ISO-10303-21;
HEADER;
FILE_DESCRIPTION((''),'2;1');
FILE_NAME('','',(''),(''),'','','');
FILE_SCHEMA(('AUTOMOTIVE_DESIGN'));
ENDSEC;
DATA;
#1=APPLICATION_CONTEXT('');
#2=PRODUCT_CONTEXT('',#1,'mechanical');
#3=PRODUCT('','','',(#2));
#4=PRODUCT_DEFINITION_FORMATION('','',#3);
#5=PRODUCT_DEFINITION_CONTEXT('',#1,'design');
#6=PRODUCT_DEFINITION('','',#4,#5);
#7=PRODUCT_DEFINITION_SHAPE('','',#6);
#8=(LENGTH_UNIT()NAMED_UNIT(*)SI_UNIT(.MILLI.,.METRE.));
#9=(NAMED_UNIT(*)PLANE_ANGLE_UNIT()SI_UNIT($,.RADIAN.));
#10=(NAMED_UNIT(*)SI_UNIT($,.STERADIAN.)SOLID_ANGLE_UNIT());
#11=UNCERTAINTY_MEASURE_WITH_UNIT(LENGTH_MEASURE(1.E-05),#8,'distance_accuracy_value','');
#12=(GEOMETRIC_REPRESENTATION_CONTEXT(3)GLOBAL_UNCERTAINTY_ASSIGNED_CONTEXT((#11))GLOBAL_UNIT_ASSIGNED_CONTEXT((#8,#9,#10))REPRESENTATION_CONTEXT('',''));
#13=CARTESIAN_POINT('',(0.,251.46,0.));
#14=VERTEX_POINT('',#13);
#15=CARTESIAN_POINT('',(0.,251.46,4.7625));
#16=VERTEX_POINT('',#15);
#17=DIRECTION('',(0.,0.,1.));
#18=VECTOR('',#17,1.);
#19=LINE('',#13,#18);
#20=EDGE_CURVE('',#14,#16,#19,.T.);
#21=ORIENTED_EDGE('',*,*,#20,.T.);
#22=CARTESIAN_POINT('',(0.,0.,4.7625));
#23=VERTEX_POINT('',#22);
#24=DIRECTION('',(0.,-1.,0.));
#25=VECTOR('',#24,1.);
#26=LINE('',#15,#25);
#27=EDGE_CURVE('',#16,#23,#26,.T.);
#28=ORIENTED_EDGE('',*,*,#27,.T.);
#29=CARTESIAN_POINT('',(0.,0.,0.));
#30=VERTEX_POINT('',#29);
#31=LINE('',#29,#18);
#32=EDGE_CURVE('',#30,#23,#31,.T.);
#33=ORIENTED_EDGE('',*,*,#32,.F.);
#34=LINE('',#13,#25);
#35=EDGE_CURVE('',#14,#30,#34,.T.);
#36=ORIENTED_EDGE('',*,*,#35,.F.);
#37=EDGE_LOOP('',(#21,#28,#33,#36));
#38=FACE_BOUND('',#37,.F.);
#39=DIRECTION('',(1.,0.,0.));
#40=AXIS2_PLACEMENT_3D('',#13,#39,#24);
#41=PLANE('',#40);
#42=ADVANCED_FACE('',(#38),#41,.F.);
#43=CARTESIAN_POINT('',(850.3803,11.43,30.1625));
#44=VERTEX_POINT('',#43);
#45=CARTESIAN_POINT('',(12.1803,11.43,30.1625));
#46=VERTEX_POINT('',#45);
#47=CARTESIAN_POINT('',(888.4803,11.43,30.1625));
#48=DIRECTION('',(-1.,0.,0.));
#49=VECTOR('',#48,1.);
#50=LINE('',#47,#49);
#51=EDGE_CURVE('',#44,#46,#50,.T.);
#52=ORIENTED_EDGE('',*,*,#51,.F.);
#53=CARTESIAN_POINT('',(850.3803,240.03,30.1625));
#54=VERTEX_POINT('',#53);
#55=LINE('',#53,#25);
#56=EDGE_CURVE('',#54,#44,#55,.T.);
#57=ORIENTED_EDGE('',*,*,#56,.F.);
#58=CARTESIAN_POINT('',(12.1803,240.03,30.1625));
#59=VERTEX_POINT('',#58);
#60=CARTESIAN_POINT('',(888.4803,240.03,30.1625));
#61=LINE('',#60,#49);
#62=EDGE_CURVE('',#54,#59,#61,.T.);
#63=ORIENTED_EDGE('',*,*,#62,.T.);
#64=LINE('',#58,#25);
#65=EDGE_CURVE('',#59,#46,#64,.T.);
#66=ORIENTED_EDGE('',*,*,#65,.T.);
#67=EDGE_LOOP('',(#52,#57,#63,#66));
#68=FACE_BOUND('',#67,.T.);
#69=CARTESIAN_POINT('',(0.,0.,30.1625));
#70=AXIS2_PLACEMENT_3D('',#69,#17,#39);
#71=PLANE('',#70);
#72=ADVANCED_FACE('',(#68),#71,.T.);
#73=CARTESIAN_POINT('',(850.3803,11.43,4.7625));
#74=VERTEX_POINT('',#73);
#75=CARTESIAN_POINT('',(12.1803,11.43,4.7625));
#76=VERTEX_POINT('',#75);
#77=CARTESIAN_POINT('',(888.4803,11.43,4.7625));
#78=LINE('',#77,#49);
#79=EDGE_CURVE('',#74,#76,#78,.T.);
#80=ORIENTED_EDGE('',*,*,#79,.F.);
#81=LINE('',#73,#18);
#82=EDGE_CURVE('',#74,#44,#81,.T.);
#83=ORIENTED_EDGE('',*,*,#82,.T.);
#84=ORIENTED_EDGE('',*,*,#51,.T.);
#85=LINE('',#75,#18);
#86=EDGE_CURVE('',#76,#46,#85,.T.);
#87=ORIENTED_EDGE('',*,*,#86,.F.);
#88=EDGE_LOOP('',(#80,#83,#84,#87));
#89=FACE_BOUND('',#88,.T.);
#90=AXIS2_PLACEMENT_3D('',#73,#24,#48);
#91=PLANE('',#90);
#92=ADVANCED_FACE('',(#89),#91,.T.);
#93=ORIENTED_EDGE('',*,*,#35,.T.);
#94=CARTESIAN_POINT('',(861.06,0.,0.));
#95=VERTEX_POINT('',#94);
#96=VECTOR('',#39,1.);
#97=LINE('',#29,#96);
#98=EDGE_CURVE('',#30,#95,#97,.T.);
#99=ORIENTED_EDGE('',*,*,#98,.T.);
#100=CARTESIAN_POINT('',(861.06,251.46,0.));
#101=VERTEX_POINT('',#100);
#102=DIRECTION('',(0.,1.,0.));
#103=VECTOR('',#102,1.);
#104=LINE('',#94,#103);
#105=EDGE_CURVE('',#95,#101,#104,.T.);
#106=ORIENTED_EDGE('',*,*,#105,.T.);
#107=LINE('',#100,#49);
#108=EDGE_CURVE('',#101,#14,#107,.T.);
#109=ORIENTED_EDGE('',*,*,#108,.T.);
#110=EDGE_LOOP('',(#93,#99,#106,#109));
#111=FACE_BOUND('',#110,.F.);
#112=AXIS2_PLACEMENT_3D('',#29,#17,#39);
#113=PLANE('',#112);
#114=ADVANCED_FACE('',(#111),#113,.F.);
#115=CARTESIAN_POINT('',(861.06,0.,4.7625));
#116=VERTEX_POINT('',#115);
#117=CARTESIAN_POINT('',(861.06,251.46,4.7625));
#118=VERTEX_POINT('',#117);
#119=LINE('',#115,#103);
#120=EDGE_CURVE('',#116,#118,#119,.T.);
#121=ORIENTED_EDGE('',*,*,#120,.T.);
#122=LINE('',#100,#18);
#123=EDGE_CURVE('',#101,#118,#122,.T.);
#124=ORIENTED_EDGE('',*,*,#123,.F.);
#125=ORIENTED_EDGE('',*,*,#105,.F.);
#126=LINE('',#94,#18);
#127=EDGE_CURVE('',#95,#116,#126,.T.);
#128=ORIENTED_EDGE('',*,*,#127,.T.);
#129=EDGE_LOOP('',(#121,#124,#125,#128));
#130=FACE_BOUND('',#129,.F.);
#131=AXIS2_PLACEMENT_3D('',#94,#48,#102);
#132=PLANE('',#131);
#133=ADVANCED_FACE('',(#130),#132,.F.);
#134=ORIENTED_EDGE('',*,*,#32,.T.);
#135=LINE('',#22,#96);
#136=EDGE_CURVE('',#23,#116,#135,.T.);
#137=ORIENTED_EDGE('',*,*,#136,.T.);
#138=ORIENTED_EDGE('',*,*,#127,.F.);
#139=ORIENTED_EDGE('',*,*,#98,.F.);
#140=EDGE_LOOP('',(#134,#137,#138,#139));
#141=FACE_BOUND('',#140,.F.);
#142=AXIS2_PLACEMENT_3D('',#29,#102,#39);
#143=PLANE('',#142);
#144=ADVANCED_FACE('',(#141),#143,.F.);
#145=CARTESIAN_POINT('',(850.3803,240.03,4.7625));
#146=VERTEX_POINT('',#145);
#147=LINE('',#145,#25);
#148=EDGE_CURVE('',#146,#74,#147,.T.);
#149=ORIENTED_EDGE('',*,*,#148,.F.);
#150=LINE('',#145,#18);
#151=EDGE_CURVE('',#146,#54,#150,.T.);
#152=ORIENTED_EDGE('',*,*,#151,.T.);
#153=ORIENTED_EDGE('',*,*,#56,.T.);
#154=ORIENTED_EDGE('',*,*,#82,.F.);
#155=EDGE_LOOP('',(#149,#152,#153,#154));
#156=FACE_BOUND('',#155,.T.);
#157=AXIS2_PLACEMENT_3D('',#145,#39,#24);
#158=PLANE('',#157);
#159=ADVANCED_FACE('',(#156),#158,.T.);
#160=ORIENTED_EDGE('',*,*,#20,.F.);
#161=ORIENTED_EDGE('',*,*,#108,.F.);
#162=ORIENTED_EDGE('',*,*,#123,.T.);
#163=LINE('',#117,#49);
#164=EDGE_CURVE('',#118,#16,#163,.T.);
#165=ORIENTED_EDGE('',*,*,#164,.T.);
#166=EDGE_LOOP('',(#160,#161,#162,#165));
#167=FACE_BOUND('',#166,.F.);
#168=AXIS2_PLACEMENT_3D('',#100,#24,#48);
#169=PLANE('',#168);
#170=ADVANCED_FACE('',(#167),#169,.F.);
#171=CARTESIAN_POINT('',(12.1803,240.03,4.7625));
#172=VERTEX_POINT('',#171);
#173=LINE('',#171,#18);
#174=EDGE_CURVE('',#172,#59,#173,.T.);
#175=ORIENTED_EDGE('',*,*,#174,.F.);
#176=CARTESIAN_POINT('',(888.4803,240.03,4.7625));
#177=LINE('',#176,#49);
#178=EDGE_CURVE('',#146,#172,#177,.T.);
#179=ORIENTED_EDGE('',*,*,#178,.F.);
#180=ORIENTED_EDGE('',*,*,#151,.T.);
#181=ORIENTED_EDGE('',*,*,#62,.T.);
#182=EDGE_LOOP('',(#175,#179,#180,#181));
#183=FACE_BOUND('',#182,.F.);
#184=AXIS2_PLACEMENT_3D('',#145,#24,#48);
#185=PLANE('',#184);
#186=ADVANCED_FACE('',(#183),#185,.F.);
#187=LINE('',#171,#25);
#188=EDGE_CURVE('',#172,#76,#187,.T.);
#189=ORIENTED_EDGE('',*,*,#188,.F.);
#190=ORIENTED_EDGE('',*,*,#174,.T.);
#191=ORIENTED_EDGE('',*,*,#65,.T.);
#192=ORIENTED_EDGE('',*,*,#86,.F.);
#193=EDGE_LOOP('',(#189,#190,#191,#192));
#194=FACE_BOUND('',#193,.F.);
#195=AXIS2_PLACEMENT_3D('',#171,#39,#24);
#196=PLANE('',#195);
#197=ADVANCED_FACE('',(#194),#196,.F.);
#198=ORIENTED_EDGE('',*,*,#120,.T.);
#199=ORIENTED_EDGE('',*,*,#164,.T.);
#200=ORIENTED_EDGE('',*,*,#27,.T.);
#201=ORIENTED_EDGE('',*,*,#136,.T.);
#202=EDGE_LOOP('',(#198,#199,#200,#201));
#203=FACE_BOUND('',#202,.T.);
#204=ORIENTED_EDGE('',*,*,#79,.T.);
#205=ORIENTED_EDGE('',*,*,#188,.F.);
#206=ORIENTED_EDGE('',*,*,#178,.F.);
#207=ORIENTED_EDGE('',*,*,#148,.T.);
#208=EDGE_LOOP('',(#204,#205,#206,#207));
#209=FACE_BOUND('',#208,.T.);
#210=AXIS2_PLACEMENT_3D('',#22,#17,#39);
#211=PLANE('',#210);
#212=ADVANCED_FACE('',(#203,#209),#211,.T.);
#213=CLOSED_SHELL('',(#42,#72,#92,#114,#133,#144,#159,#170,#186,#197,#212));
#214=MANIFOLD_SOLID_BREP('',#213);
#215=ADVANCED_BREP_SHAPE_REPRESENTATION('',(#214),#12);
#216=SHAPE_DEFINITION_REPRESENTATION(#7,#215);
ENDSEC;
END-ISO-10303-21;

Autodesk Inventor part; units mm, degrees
ref_plane "YZ Plane" through (0, 0, 0) normal (1, 0, 0) x (0, 1, 0)
ref_plane "XZ Plane" through (0, 0, 0) normal (0, 1, 0) x (-1, 0, 0)
ref_plane "XY Plane" through (0, 0, 0) normal (0, 0, 1) x (1, 0, 0)
sketch "Sketch1" plane through (0, 0, 0) normal (0, 0, 1) x (1, 0, 0)
  line L0 (0, 0) -> (861.06, 0)
  line L1 (861.06, 0) -> (861.06, 251.46)
  line L2 (861.06, 251.46) -> (0, 251.46)
  line L3 (0, 251.46) -> (0, 0)
  dimension "d2" = 861.06
  dimension "d3" = 251.46
extrude "Extrusion1" add sketch "Sketch1" along normal blind 4.7625
sketch "Sketch2" plane through (0, 0, 4.7625) normal (0, 0, 1) x (1, 0, 0)
  line L0 (888.4803, 11.43) -> (-25.9197, 11.43) projected
  line L1 (12.1803, 240.03) -> (12.1803, 11.43) projected
  line L2 (888.4803, 240.03) -> (-25.9197, 240.03) projected
  line L3 (850.3803, 240.03) -> (850.3803, 11.43) projected
  line L4 (12.1803, 240.03) -> (850.3803, 240.03)
  line L5 (850.3803, 240.03) -> (850.3803, 11.43)
  line L6 (850.3803, 11.43) -> (12.1803, 11.43)
  line L7 (12.1803, 11.43) -> (12.1803, 240.03)
  point P0 (0, 0)
extrude "Extrusion2" add sketch "Sketch2" along normal blind 25.4
properties part number "gatorboard_01875in_front_door"
